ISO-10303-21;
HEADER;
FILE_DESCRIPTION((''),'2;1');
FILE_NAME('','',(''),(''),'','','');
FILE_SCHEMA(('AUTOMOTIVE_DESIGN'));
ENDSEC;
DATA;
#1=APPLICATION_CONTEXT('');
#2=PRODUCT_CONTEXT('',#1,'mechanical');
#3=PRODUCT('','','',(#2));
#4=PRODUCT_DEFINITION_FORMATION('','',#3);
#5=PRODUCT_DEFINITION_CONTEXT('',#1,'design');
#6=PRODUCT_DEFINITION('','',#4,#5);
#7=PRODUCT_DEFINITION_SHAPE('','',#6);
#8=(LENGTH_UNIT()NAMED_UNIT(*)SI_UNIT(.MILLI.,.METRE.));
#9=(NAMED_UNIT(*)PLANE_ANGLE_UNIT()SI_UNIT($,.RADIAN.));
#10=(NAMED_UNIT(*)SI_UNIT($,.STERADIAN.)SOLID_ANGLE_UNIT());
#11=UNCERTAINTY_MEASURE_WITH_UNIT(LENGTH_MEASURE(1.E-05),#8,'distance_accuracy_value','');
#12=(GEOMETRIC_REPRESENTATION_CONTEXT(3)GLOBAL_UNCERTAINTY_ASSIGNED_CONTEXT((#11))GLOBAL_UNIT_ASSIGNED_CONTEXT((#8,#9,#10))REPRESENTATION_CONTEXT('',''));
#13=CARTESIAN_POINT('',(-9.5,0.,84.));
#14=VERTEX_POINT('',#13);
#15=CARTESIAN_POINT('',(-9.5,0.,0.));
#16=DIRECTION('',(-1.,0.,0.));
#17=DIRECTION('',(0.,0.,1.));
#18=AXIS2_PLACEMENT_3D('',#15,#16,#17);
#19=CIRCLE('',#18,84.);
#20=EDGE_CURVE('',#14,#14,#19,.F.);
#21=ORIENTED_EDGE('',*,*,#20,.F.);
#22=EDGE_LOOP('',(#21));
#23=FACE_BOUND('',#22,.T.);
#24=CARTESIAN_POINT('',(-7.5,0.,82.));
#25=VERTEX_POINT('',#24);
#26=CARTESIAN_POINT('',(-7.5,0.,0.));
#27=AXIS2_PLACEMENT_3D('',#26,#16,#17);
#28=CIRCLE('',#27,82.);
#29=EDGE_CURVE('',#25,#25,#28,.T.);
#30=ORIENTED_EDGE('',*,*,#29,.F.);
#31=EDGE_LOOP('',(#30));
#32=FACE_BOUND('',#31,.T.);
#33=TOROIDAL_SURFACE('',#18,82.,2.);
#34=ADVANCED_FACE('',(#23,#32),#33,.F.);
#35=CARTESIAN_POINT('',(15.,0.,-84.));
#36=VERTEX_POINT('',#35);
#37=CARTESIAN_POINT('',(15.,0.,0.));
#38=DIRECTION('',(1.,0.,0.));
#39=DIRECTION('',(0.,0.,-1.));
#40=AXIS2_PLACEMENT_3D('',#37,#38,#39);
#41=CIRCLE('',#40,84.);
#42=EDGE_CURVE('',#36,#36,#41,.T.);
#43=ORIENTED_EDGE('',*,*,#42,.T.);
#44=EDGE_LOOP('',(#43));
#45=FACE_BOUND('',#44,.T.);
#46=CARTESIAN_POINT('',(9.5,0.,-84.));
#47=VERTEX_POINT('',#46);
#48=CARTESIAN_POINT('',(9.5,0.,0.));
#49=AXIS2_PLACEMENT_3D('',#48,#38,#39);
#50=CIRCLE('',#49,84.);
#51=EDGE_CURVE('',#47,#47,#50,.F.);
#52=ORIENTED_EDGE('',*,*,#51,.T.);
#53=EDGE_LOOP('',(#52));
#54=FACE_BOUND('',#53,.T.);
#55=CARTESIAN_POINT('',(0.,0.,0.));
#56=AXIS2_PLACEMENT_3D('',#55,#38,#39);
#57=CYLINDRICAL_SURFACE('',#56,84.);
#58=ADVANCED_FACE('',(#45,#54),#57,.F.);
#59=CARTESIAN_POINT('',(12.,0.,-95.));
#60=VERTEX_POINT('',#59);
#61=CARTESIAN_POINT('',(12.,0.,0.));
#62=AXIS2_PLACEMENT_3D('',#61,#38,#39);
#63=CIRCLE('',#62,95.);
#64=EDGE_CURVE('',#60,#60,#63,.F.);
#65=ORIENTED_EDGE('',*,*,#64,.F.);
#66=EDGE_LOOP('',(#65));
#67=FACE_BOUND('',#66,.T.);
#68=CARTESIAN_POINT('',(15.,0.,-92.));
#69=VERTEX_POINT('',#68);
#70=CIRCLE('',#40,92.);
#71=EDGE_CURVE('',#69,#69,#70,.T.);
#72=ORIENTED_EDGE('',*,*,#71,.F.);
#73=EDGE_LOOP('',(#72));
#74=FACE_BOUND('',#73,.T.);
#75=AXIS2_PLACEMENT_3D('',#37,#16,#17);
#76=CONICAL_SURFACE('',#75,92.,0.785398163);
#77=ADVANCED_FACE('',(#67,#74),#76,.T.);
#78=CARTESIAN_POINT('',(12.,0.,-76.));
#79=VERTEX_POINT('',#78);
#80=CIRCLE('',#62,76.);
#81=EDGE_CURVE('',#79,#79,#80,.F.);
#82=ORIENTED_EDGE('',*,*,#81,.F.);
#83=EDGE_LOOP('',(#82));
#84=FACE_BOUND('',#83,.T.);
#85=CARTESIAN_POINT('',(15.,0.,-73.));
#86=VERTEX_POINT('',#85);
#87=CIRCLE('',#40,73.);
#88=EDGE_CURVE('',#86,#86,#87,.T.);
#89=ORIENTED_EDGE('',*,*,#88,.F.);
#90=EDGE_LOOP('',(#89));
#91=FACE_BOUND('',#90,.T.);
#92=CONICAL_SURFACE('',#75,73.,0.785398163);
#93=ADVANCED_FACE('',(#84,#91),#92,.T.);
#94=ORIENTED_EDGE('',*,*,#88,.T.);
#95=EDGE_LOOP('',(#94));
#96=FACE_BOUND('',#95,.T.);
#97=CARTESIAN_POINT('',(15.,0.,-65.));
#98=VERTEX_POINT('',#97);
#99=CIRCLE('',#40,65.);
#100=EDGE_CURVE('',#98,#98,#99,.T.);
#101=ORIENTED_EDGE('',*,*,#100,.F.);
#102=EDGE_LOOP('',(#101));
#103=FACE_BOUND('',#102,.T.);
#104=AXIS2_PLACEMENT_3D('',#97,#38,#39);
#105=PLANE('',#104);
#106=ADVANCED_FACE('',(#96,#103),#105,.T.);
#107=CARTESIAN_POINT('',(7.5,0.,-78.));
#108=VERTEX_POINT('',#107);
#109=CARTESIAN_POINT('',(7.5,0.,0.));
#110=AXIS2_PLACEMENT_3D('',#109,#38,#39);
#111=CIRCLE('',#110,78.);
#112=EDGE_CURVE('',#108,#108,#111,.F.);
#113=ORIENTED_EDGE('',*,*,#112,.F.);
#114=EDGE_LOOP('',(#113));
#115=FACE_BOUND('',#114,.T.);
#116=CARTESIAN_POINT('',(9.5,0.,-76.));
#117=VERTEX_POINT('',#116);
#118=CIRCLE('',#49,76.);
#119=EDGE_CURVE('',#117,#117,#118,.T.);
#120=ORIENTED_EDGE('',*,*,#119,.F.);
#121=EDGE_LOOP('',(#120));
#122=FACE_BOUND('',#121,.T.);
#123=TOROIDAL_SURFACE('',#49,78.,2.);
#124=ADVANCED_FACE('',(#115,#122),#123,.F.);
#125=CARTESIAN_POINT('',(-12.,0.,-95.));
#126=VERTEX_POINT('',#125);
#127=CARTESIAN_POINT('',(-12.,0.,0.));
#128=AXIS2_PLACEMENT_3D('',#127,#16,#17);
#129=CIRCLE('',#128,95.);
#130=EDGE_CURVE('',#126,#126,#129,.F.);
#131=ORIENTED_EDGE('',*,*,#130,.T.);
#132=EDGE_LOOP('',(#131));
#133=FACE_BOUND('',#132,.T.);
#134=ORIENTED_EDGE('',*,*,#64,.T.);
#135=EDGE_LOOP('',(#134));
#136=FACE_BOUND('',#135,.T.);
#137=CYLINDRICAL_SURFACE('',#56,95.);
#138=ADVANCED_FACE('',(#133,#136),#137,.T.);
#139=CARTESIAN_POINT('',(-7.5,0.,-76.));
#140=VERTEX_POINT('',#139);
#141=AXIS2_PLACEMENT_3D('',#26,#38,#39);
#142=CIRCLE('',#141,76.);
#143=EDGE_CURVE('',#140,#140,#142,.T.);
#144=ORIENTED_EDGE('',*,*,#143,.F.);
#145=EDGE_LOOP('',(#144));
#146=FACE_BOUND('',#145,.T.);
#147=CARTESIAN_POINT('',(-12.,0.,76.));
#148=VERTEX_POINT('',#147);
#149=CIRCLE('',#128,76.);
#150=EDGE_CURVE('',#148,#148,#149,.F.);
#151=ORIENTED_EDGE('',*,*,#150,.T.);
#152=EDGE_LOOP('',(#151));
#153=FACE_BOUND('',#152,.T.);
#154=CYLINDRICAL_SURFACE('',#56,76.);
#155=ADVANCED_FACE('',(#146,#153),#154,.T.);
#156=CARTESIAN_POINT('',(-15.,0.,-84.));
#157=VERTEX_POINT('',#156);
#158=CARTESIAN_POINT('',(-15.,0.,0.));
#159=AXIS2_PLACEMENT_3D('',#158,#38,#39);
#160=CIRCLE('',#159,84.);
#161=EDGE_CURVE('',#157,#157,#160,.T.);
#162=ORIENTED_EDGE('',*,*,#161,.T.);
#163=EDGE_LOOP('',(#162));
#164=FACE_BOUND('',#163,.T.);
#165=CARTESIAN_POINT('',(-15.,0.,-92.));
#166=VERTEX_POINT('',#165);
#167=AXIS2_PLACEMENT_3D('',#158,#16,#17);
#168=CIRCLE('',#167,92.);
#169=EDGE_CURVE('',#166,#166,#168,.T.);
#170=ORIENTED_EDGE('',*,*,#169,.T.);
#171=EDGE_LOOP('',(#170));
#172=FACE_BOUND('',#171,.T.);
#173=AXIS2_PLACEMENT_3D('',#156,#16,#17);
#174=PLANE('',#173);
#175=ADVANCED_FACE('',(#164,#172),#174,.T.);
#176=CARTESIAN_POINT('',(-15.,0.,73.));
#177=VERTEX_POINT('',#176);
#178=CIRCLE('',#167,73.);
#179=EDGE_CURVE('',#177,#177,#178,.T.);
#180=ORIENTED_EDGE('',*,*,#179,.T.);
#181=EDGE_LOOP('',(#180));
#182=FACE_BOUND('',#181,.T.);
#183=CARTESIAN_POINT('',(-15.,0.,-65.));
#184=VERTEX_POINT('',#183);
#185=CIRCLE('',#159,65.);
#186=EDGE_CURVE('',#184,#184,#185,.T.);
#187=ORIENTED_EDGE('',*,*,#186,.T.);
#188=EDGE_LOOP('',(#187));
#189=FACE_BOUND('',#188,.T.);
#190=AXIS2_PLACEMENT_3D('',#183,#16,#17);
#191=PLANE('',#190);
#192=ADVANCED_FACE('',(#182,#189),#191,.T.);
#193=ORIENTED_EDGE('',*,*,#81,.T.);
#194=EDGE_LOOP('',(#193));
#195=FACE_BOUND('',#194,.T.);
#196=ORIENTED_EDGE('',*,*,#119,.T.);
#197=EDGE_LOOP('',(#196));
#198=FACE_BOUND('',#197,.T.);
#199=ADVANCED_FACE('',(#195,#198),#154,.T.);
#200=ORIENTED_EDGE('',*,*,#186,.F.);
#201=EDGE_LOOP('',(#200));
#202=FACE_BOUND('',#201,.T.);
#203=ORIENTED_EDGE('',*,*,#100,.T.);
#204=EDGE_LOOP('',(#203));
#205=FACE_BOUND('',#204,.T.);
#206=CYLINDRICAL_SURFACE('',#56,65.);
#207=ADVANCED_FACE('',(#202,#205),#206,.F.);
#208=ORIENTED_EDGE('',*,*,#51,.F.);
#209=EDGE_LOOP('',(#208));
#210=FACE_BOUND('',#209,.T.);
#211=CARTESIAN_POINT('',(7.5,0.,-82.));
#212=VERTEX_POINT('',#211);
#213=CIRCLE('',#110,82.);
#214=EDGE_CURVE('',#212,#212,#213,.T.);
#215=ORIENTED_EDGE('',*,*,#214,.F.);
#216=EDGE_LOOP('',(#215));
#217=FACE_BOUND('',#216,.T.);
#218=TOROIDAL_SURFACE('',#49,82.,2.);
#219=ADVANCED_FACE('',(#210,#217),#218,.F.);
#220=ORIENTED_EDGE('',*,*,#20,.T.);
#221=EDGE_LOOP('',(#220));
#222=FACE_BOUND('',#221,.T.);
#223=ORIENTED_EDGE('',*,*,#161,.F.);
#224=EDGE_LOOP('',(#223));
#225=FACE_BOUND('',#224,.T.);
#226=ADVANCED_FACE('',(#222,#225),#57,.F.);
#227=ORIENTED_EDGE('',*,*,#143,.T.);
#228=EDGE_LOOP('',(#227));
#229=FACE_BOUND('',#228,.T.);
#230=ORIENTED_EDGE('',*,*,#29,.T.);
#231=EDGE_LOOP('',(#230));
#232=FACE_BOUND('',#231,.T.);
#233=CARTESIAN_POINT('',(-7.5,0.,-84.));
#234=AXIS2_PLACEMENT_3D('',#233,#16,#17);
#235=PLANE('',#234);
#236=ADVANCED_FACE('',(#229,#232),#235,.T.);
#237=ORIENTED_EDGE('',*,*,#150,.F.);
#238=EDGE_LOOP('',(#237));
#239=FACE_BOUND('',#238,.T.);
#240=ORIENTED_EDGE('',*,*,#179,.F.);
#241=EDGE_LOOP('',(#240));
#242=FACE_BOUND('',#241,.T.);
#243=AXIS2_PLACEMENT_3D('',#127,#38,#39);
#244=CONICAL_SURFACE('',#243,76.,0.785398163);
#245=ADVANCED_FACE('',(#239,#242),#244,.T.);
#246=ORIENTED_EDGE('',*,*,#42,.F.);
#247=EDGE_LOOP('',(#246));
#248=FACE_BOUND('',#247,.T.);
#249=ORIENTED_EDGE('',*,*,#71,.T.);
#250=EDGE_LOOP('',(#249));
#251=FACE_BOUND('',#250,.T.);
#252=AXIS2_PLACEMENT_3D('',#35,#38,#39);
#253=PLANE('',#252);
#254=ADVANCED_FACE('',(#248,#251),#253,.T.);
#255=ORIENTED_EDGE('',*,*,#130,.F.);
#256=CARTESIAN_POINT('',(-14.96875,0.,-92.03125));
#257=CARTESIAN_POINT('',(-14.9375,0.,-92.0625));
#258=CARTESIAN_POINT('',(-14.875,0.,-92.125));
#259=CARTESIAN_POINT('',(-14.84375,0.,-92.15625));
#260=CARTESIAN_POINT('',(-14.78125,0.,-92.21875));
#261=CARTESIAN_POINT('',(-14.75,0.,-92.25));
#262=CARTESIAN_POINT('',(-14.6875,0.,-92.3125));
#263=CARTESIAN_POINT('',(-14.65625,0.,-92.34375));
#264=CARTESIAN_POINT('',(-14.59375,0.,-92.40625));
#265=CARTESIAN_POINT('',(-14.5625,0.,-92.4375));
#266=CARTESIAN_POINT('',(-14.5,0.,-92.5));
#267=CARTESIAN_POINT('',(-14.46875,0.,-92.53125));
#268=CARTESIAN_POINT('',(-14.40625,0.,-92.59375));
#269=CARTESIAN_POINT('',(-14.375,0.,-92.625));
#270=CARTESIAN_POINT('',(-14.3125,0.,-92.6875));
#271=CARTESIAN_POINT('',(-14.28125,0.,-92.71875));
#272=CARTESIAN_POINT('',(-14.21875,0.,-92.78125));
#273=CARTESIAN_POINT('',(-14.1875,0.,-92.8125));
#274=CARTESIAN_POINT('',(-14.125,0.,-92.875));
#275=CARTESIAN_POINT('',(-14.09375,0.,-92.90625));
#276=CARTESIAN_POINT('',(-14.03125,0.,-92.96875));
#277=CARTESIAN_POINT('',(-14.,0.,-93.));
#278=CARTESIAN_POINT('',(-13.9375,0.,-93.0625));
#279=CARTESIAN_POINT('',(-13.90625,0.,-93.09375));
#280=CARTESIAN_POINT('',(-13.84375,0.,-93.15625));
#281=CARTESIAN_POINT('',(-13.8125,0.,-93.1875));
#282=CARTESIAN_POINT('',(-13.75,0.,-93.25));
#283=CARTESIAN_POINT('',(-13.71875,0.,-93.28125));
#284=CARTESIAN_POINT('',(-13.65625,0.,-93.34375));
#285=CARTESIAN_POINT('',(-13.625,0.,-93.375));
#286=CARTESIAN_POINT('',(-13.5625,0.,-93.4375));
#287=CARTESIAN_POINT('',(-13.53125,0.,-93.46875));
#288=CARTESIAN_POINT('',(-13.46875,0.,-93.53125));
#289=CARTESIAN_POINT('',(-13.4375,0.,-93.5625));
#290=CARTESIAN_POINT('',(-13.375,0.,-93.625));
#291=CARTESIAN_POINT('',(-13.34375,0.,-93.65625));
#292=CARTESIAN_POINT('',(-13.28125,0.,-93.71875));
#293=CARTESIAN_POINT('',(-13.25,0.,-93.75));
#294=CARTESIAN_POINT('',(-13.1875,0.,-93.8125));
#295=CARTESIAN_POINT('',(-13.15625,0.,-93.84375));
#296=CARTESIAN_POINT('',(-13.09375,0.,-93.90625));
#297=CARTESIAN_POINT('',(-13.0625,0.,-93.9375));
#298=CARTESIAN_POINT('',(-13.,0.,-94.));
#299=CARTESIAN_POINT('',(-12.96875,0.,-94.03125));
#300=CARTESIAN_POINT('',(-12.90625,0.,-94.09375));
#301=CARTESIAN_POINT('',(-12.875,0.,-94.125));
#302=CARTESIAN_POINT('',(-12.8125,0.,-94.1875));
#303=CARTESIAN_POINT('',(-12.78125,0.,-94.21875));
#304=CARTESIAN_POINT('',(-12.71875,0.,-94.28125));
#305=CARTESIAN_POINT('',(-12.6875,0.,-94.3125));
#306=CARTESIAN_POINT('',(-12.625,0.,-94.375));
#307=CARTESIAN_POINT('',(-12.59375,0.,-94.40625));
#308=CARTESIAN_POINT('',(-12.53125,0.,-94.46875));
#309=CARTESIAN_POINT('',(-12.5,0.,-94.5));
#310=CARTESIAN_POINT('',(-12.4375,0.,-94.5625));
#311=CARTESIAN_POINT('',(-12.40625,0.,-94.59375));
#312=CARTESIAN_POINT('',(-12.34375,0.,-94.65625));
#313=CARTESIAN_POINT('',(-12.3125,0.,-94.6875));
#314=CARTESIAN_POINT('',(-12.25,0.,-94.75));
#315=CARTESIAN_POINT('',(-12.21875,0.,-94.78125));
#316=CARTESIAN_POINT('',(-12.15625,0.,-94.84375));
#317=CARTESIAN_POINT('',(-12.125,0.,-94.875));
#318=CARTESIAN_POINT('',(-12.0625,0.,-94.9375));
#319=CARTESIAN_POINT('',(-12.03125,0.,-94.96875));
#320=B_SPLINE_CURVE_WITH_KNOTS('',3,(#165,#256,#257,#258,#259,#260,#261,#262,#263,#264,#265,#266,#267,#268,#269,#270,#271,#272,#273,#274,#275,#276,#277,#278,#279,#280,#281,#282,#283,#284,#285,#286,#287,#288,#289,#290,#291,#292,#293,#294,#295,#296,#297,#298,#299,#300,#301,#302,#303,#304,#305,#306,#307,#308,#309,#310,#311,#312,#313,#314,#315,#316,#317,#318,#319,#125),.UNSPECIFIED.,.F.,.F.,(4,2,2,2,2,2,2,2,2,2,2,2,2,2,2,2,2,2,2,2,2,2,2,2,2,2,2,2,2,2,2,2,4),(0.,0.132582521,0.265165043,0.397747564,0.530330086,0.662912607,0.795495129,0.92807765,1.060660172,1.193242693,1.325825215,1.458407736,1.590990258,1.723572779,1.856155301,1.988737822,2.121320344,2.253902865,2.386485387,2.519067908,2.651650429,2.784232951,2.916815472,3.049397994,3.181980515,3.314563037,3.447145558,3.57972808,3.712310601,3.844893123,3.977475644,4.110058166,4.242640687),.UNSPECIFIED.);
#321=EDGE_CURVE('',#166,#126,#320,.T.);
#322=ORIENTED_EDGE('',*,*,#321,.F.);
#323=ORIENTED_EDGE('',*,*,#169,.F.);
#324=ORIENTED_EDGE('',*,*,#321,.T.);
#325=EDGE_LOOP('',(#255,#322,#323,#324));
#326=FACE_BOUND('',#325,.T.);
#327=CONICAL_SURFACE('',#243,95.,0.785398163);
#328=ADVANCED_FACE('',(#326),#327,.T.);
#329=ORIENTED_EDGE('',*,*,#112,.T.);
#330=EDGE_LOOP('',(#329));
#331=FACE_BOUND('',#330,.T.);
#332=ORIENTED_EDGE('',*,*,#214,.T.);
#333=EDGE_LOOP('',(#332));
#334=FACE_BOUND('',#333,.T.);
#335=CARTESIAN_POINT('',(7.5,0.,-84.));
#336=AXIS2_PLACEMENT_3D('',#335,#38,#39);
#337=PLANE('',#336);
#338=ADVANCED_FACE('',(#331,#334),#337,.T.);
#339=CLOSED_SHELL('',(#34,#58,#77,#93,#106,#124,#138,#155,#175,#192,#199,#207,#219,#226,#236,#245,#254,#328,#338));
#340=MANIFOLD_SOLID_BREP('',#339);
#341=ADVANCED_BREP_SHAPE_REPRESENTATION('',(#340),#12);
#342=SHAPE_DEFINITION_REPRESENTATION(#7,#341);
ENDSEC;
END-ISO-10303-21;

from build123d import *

# Parameters (mm, degrees)
ZAOKR_GLENIE2_R  = 2
SFAZOWANIE1_SIZE = 3


with BuildPart() as part:
    # Szkic1 → Obrót1 (revolve)
    with BuildSketch(Plane(origin=(0, 0, 0), x_dir=(1, 0, 0), z_dir=(0, 1, 0))):
        Polygon((15, 65), (-15, 65), (-15, 76), (-7.5, 76), (-7.5, 84), (-15, 84), (-15, 95), (15, 95), (15, 84), (7.5, 84), (7.5, 76), (15, 76), align=None)
    revolve(axis=Axis((0, 0, 0), (-1, 0, 0)))

    # Zaokrąglenie2
    zaokr_glenie2_edges = [part.edges().sort_by_distance(p)[0] for p in [
        (-7.5, 0, 84),
        (7.5, 0, 84),
        (7.5, 0, 76),
    ]]
    fillet(zaokr_glenie2_edges, radius=ZAOKR_GLENIE2_R)

    # Sfazowanie1
    sfazowanie1_edges = [part.edges().sort_by_distance(p)[0] for p in [
        (15, 0, 76),
        (-15, 0, 76),
        (-15, 0, 95),
        (15, 0, 95),
    ]]
    chamfer(sfazowanie1_edges, length=SFAZOWANIE1_SIZE)


solid = part.part
